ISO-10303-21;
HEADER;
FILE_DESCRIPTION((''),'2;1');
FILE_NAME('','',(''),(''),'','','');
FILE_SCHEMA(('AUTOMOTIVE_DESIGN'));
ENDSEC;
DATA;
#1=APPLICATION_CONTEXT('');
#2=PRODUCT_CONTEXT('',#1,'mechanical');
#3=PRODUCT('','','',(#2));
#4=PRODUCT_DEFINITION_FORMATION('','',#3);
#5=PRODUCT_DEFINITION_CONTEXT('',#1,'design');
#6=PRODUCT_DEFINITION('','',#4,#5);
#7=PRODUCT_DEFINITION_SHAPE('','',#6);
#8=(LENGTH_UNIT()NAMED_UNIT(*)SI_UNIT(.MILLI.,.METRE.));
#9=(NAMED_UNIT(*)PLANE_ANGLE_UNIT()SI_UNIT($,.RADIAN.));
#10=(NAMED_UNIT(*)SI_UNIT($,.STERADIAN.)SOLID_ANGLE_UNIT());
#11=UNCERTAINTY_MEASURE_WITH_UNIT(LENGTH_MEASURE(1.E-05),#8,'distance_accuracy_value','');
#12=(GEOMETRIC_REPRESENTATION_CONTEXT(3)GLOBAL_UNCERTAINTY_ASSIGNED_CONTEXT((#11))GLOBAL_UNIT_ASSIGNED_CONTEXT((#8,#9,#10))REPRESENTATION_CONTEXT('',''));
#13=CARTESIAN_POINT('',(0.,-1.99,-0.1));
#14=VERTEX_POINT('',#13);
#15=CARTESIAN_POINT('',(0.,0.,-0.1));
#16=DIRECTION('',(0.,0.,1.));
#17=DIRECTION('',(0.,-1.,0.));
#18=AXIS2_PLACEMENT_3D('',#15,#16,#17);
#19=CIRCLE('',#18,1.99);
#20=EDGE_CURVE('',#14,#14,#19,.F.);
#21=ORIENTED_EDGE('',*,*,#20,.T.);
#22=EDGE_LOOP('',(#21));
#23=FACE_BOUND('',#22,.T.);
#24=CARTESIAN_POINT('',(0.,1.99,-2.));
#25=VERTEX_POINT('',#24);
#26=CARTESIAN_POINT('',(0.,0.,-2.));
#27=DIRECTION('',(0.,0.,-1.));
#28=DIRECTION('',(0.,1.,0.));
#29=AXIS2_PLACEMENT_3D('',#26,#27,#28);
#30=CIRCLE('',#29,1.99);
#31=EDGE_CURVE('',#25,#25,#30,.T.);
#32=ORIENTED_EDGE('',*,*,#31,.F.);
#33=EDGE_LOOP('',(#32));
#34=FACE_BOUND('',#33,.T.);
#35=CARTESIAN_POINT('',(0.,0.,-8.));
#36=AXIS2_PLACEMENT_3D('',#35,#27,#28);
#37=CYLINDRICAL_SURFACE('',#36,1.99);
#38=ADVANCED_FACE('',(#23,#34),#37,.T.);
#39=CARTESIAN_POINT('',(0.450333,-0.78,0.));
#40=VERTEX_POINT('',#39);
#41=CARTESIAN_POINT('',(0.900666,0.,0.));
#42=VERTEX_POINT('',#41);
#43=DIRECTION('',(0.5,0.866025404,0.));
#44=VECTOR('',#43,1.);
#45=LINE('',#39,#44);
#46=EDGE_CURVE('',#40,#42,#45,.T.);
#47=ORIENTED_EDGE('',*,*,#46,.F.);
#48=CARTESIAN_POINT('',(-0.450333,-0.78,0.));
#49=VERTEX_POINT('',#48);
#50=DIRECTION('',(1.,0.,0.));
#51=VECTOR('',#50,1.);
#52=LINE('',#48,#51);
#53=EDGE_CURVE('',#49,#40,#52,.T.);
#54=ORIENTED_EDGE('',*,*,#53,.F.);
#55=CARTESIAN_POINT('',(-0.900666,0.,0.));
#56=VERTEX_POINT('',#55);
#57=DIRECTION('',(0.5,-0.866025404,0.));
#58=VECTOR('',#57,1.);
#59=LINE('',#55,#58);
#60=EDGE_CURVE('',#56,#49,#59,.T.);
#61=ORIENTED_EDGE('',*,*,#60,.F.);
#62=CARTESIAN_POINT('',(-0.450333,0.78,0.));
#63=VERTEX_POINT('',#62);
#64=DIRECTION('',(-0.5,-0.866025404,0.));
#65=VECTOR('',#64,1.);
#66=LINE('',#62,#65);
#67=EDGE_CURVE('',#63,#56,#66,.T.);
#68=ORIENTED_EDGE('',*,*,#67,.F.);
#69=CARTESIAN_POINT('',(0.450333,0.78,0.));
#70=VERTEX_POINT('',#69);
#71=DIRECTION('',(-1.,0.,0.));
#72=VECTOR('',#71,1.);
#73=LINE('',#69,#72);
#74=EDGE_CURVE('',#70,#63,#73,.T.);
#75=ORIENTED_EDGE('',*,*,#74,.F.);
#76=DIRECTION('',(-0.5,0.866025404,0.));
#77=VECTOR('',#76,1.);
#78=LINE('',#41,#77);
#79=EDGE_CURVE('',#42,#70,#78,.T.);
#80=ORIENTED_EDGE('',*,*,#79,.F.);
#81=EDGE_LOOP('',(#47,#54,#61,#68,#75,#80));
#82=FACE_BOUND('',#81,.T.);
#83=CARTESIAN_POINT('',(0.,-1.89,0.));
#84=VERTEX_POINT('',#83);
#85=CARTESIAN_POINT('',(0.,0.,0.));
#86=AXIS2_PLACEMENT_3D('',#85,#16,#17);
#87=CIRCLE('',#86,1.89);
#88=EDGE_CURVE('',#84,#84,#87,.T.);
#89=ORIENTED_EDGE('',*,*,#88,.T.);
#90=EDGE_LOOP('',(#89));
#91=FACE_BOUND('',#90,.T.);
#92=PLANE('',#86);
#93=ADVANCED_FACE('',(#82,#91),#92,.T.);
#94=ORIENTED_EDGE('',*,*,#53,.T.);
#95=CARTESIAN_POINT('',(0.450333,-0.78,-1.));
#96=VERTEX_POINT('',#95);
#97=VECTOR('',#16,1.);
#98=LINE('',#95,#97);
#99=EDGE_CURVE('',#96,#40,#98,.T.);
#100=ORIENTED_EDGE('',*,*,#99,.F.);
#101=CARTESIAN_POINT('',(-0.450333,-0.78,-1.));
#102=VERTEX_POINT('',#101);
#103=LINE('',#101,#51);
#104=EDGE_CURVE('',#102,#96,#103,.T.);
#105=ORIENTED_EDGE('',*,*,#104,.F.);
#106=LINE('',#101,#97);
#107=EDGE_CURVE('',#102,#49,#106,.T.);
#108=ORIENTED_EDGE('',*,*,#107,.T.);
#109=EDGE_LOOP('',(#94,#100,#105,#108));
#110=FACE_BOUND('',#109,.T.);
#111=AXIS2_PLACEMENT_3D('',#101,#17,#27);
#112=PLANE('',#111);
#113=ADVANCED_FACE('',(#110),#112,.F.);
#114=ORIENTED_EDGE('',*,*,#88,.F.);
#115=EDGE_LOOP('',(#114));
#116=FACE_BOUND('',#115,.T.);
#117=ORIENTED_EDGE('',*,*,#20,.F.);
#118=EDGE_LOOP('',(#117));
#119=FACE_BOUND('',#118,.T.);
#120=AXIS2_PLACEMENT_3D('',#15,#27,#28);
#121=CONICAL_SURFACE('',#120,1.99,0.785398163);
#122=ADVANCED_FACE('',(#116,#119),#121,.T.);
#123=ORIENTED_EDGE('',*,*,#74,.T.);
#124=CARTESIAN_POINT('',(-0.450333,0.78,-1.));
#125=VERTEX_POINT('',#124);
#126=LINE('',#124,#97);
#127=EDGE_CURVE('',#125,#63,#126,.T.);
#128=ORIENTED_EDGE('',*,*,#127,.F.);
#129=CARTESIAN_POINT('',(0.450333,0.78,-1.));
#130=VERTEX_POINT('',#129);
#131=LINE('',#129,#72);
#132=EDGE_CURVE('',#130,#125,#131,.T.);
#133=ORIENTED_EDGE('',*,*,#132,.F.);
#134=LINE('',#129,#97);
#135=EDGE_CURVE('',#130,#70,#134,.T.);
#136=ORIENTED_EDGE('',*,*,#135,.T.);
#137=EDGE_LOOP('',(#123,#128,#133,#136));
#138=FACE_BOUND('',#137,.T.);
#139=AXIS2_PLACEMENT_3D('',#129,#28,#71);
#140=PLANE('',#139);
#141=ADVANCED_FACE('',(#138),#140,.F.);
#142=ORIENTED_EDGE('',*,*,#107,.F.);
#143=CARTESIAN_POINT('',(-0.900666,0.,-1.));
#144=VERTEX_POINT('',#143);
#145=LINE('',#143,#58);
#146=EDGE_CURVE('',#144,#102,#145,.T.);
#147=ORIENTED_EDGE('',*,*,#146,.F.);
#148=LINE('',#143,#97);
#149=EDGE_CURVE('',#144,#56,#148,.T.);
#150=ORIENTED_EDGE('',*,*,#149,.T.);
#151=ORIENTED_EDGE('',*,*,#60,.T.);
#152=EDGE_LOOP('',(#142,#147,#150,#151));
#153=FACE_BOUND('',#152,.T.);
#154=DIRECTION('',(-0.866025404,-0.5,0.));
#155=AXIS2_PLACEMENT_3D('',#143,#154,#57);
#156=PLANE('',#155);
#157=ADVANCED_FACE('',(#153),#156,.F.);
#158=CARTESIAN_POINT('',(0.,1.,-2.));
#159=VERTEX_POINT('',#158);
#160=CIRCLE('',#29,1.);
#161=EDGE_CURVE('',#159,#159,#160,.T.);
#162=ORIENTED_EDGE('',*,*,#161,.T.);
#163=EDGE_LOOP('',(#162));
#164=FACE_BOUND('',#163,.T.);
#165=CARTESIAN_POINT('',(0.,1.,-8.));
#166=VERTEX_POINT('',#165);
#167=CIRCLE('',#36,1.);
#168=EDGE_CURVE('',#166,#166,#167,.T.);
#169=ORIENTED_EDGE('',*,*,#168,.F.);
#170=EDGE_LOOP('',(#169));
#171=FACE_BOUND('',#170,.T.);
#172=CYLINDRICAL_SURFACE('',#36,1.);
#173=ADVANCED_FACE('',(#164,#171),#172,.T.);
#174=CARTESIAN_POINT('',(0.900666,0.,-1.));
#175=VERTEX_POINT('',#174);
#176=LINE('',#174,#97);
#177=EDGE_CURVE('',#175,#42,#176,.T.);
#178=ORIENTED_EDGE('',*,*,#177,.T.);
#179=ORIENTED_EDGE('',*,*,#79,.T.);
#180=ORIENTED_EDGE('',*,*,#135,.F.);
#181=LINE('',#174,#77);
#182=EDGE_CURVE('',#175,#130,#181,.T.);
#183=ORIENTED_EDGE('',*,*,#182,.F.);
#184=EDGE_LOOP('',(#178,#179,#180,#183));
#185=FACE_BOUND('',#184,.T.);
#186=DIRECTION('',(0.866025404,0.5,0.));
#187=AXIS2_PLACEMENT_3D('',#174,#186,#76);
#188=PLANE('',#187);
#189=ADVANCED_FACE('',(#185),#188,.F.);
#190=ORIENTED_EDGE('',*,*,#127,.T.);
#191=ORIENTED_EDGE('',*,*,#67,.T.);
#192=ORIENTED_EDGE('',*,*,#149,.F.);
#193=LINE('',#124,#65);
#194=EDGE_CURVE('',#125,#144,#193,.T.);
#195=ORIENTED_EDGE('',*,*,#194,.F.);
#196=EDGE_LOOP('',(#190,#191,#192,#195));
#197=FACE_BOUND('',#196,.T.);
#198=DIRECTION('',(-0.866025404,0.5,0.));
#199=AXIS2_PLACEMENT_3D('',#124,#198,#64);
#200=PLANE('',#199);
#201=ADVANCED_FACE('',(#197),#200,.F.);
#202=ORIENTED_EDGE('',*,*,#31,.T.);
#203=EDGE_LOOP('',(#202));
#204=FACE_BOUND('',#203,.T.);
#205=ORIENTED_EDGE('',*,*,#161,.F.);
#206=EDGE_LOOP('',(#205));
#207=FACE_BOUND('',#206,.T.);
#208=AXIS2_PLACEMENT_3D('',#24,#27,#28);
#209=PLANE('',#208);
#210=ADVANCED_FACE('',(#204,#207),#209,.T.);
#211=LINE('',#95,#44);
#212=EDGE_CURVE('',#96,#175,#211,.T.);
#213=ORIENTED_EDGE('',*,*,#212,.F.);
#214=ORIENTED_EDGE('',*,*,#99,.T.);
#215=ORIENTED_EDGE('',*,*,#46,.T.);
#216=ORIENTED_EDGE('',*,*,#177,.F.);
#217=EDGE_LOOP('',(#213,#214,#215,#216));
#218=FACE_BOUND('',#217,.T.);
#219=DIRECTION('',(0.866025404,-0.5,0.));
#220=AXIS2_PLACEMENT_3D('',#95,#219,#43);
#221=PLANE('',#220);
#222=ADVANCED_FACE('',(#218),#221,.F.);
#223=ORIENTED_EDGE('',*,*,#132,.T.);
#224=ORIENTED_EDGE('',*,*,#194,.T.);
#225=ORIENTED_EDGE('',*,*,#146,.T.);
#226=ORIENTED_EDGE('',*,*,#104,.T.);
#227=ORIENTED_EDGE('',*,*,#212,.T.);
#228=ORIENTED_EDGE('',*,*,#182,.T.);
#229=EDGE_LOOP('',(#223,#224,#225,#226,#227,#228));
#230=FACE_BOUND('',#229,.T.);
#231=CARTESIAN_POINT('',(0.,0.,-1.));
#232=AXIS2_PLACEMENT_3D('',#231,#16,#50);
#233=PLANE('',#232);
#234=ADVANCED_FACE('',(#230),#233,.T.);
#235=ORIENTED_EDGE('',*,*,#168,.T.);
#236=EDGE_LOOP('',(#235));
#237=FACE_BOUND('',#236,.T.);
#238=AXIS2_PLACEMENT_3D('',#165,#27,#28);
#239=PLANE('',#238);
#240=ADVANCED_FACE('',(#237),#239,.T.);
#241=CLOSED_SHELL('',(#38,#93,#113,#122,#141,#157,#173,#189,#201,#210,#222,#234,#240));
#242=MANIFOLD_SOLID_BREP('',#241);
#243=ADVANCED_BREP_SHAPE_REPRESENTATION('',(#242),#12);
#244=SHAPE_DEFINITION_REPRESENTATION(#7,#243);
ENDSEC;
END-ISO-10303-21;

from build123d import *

# Parameters (mm, degrees)
CUT_EXTRUDE_1_DEPTH = 1
CHAMFER_627_SIZE    = 0.1


with BuildPart() as part:
    # 草图1 → 旋转1 (revolve)
    with BuildSketch(Plane(origin=(0, 0, 0), x_dir=(0, 0, -1), z_dir=(1, 0, 0))):
        Polygon((0, 0), (0, 1.99), (2, 1.99), (2, 1), (8, 1), (8, 0), align=None)
    revolve(axis=Axis((0, 0, -8), (0, 0, 1)))

    # 草图2 → 切除-拉伸1 (cut)
    with BuildSketch(Plane.XY):
        Polygon((0.45033321, 0.78), (-0.45033321, 0.78), (-0.90066642, 0), (-0.45033321, -0.78), (0.45033321, -0.78), (0.90066642, 0), align=None)
    extrude(amount=-CUT_EXTRUDE_1_DEPTH, mode=Mode.SUBTRACT)

    # Chamfer 627
    chamfer_627_edges = [part.edges().sort_by_distance(p)[0] for p in [
        (0, -1.99, 0),
    ]]
    chamfer(chamfer_627_edges, length=CHAMFER_627_SIZE)


solid = part.part
